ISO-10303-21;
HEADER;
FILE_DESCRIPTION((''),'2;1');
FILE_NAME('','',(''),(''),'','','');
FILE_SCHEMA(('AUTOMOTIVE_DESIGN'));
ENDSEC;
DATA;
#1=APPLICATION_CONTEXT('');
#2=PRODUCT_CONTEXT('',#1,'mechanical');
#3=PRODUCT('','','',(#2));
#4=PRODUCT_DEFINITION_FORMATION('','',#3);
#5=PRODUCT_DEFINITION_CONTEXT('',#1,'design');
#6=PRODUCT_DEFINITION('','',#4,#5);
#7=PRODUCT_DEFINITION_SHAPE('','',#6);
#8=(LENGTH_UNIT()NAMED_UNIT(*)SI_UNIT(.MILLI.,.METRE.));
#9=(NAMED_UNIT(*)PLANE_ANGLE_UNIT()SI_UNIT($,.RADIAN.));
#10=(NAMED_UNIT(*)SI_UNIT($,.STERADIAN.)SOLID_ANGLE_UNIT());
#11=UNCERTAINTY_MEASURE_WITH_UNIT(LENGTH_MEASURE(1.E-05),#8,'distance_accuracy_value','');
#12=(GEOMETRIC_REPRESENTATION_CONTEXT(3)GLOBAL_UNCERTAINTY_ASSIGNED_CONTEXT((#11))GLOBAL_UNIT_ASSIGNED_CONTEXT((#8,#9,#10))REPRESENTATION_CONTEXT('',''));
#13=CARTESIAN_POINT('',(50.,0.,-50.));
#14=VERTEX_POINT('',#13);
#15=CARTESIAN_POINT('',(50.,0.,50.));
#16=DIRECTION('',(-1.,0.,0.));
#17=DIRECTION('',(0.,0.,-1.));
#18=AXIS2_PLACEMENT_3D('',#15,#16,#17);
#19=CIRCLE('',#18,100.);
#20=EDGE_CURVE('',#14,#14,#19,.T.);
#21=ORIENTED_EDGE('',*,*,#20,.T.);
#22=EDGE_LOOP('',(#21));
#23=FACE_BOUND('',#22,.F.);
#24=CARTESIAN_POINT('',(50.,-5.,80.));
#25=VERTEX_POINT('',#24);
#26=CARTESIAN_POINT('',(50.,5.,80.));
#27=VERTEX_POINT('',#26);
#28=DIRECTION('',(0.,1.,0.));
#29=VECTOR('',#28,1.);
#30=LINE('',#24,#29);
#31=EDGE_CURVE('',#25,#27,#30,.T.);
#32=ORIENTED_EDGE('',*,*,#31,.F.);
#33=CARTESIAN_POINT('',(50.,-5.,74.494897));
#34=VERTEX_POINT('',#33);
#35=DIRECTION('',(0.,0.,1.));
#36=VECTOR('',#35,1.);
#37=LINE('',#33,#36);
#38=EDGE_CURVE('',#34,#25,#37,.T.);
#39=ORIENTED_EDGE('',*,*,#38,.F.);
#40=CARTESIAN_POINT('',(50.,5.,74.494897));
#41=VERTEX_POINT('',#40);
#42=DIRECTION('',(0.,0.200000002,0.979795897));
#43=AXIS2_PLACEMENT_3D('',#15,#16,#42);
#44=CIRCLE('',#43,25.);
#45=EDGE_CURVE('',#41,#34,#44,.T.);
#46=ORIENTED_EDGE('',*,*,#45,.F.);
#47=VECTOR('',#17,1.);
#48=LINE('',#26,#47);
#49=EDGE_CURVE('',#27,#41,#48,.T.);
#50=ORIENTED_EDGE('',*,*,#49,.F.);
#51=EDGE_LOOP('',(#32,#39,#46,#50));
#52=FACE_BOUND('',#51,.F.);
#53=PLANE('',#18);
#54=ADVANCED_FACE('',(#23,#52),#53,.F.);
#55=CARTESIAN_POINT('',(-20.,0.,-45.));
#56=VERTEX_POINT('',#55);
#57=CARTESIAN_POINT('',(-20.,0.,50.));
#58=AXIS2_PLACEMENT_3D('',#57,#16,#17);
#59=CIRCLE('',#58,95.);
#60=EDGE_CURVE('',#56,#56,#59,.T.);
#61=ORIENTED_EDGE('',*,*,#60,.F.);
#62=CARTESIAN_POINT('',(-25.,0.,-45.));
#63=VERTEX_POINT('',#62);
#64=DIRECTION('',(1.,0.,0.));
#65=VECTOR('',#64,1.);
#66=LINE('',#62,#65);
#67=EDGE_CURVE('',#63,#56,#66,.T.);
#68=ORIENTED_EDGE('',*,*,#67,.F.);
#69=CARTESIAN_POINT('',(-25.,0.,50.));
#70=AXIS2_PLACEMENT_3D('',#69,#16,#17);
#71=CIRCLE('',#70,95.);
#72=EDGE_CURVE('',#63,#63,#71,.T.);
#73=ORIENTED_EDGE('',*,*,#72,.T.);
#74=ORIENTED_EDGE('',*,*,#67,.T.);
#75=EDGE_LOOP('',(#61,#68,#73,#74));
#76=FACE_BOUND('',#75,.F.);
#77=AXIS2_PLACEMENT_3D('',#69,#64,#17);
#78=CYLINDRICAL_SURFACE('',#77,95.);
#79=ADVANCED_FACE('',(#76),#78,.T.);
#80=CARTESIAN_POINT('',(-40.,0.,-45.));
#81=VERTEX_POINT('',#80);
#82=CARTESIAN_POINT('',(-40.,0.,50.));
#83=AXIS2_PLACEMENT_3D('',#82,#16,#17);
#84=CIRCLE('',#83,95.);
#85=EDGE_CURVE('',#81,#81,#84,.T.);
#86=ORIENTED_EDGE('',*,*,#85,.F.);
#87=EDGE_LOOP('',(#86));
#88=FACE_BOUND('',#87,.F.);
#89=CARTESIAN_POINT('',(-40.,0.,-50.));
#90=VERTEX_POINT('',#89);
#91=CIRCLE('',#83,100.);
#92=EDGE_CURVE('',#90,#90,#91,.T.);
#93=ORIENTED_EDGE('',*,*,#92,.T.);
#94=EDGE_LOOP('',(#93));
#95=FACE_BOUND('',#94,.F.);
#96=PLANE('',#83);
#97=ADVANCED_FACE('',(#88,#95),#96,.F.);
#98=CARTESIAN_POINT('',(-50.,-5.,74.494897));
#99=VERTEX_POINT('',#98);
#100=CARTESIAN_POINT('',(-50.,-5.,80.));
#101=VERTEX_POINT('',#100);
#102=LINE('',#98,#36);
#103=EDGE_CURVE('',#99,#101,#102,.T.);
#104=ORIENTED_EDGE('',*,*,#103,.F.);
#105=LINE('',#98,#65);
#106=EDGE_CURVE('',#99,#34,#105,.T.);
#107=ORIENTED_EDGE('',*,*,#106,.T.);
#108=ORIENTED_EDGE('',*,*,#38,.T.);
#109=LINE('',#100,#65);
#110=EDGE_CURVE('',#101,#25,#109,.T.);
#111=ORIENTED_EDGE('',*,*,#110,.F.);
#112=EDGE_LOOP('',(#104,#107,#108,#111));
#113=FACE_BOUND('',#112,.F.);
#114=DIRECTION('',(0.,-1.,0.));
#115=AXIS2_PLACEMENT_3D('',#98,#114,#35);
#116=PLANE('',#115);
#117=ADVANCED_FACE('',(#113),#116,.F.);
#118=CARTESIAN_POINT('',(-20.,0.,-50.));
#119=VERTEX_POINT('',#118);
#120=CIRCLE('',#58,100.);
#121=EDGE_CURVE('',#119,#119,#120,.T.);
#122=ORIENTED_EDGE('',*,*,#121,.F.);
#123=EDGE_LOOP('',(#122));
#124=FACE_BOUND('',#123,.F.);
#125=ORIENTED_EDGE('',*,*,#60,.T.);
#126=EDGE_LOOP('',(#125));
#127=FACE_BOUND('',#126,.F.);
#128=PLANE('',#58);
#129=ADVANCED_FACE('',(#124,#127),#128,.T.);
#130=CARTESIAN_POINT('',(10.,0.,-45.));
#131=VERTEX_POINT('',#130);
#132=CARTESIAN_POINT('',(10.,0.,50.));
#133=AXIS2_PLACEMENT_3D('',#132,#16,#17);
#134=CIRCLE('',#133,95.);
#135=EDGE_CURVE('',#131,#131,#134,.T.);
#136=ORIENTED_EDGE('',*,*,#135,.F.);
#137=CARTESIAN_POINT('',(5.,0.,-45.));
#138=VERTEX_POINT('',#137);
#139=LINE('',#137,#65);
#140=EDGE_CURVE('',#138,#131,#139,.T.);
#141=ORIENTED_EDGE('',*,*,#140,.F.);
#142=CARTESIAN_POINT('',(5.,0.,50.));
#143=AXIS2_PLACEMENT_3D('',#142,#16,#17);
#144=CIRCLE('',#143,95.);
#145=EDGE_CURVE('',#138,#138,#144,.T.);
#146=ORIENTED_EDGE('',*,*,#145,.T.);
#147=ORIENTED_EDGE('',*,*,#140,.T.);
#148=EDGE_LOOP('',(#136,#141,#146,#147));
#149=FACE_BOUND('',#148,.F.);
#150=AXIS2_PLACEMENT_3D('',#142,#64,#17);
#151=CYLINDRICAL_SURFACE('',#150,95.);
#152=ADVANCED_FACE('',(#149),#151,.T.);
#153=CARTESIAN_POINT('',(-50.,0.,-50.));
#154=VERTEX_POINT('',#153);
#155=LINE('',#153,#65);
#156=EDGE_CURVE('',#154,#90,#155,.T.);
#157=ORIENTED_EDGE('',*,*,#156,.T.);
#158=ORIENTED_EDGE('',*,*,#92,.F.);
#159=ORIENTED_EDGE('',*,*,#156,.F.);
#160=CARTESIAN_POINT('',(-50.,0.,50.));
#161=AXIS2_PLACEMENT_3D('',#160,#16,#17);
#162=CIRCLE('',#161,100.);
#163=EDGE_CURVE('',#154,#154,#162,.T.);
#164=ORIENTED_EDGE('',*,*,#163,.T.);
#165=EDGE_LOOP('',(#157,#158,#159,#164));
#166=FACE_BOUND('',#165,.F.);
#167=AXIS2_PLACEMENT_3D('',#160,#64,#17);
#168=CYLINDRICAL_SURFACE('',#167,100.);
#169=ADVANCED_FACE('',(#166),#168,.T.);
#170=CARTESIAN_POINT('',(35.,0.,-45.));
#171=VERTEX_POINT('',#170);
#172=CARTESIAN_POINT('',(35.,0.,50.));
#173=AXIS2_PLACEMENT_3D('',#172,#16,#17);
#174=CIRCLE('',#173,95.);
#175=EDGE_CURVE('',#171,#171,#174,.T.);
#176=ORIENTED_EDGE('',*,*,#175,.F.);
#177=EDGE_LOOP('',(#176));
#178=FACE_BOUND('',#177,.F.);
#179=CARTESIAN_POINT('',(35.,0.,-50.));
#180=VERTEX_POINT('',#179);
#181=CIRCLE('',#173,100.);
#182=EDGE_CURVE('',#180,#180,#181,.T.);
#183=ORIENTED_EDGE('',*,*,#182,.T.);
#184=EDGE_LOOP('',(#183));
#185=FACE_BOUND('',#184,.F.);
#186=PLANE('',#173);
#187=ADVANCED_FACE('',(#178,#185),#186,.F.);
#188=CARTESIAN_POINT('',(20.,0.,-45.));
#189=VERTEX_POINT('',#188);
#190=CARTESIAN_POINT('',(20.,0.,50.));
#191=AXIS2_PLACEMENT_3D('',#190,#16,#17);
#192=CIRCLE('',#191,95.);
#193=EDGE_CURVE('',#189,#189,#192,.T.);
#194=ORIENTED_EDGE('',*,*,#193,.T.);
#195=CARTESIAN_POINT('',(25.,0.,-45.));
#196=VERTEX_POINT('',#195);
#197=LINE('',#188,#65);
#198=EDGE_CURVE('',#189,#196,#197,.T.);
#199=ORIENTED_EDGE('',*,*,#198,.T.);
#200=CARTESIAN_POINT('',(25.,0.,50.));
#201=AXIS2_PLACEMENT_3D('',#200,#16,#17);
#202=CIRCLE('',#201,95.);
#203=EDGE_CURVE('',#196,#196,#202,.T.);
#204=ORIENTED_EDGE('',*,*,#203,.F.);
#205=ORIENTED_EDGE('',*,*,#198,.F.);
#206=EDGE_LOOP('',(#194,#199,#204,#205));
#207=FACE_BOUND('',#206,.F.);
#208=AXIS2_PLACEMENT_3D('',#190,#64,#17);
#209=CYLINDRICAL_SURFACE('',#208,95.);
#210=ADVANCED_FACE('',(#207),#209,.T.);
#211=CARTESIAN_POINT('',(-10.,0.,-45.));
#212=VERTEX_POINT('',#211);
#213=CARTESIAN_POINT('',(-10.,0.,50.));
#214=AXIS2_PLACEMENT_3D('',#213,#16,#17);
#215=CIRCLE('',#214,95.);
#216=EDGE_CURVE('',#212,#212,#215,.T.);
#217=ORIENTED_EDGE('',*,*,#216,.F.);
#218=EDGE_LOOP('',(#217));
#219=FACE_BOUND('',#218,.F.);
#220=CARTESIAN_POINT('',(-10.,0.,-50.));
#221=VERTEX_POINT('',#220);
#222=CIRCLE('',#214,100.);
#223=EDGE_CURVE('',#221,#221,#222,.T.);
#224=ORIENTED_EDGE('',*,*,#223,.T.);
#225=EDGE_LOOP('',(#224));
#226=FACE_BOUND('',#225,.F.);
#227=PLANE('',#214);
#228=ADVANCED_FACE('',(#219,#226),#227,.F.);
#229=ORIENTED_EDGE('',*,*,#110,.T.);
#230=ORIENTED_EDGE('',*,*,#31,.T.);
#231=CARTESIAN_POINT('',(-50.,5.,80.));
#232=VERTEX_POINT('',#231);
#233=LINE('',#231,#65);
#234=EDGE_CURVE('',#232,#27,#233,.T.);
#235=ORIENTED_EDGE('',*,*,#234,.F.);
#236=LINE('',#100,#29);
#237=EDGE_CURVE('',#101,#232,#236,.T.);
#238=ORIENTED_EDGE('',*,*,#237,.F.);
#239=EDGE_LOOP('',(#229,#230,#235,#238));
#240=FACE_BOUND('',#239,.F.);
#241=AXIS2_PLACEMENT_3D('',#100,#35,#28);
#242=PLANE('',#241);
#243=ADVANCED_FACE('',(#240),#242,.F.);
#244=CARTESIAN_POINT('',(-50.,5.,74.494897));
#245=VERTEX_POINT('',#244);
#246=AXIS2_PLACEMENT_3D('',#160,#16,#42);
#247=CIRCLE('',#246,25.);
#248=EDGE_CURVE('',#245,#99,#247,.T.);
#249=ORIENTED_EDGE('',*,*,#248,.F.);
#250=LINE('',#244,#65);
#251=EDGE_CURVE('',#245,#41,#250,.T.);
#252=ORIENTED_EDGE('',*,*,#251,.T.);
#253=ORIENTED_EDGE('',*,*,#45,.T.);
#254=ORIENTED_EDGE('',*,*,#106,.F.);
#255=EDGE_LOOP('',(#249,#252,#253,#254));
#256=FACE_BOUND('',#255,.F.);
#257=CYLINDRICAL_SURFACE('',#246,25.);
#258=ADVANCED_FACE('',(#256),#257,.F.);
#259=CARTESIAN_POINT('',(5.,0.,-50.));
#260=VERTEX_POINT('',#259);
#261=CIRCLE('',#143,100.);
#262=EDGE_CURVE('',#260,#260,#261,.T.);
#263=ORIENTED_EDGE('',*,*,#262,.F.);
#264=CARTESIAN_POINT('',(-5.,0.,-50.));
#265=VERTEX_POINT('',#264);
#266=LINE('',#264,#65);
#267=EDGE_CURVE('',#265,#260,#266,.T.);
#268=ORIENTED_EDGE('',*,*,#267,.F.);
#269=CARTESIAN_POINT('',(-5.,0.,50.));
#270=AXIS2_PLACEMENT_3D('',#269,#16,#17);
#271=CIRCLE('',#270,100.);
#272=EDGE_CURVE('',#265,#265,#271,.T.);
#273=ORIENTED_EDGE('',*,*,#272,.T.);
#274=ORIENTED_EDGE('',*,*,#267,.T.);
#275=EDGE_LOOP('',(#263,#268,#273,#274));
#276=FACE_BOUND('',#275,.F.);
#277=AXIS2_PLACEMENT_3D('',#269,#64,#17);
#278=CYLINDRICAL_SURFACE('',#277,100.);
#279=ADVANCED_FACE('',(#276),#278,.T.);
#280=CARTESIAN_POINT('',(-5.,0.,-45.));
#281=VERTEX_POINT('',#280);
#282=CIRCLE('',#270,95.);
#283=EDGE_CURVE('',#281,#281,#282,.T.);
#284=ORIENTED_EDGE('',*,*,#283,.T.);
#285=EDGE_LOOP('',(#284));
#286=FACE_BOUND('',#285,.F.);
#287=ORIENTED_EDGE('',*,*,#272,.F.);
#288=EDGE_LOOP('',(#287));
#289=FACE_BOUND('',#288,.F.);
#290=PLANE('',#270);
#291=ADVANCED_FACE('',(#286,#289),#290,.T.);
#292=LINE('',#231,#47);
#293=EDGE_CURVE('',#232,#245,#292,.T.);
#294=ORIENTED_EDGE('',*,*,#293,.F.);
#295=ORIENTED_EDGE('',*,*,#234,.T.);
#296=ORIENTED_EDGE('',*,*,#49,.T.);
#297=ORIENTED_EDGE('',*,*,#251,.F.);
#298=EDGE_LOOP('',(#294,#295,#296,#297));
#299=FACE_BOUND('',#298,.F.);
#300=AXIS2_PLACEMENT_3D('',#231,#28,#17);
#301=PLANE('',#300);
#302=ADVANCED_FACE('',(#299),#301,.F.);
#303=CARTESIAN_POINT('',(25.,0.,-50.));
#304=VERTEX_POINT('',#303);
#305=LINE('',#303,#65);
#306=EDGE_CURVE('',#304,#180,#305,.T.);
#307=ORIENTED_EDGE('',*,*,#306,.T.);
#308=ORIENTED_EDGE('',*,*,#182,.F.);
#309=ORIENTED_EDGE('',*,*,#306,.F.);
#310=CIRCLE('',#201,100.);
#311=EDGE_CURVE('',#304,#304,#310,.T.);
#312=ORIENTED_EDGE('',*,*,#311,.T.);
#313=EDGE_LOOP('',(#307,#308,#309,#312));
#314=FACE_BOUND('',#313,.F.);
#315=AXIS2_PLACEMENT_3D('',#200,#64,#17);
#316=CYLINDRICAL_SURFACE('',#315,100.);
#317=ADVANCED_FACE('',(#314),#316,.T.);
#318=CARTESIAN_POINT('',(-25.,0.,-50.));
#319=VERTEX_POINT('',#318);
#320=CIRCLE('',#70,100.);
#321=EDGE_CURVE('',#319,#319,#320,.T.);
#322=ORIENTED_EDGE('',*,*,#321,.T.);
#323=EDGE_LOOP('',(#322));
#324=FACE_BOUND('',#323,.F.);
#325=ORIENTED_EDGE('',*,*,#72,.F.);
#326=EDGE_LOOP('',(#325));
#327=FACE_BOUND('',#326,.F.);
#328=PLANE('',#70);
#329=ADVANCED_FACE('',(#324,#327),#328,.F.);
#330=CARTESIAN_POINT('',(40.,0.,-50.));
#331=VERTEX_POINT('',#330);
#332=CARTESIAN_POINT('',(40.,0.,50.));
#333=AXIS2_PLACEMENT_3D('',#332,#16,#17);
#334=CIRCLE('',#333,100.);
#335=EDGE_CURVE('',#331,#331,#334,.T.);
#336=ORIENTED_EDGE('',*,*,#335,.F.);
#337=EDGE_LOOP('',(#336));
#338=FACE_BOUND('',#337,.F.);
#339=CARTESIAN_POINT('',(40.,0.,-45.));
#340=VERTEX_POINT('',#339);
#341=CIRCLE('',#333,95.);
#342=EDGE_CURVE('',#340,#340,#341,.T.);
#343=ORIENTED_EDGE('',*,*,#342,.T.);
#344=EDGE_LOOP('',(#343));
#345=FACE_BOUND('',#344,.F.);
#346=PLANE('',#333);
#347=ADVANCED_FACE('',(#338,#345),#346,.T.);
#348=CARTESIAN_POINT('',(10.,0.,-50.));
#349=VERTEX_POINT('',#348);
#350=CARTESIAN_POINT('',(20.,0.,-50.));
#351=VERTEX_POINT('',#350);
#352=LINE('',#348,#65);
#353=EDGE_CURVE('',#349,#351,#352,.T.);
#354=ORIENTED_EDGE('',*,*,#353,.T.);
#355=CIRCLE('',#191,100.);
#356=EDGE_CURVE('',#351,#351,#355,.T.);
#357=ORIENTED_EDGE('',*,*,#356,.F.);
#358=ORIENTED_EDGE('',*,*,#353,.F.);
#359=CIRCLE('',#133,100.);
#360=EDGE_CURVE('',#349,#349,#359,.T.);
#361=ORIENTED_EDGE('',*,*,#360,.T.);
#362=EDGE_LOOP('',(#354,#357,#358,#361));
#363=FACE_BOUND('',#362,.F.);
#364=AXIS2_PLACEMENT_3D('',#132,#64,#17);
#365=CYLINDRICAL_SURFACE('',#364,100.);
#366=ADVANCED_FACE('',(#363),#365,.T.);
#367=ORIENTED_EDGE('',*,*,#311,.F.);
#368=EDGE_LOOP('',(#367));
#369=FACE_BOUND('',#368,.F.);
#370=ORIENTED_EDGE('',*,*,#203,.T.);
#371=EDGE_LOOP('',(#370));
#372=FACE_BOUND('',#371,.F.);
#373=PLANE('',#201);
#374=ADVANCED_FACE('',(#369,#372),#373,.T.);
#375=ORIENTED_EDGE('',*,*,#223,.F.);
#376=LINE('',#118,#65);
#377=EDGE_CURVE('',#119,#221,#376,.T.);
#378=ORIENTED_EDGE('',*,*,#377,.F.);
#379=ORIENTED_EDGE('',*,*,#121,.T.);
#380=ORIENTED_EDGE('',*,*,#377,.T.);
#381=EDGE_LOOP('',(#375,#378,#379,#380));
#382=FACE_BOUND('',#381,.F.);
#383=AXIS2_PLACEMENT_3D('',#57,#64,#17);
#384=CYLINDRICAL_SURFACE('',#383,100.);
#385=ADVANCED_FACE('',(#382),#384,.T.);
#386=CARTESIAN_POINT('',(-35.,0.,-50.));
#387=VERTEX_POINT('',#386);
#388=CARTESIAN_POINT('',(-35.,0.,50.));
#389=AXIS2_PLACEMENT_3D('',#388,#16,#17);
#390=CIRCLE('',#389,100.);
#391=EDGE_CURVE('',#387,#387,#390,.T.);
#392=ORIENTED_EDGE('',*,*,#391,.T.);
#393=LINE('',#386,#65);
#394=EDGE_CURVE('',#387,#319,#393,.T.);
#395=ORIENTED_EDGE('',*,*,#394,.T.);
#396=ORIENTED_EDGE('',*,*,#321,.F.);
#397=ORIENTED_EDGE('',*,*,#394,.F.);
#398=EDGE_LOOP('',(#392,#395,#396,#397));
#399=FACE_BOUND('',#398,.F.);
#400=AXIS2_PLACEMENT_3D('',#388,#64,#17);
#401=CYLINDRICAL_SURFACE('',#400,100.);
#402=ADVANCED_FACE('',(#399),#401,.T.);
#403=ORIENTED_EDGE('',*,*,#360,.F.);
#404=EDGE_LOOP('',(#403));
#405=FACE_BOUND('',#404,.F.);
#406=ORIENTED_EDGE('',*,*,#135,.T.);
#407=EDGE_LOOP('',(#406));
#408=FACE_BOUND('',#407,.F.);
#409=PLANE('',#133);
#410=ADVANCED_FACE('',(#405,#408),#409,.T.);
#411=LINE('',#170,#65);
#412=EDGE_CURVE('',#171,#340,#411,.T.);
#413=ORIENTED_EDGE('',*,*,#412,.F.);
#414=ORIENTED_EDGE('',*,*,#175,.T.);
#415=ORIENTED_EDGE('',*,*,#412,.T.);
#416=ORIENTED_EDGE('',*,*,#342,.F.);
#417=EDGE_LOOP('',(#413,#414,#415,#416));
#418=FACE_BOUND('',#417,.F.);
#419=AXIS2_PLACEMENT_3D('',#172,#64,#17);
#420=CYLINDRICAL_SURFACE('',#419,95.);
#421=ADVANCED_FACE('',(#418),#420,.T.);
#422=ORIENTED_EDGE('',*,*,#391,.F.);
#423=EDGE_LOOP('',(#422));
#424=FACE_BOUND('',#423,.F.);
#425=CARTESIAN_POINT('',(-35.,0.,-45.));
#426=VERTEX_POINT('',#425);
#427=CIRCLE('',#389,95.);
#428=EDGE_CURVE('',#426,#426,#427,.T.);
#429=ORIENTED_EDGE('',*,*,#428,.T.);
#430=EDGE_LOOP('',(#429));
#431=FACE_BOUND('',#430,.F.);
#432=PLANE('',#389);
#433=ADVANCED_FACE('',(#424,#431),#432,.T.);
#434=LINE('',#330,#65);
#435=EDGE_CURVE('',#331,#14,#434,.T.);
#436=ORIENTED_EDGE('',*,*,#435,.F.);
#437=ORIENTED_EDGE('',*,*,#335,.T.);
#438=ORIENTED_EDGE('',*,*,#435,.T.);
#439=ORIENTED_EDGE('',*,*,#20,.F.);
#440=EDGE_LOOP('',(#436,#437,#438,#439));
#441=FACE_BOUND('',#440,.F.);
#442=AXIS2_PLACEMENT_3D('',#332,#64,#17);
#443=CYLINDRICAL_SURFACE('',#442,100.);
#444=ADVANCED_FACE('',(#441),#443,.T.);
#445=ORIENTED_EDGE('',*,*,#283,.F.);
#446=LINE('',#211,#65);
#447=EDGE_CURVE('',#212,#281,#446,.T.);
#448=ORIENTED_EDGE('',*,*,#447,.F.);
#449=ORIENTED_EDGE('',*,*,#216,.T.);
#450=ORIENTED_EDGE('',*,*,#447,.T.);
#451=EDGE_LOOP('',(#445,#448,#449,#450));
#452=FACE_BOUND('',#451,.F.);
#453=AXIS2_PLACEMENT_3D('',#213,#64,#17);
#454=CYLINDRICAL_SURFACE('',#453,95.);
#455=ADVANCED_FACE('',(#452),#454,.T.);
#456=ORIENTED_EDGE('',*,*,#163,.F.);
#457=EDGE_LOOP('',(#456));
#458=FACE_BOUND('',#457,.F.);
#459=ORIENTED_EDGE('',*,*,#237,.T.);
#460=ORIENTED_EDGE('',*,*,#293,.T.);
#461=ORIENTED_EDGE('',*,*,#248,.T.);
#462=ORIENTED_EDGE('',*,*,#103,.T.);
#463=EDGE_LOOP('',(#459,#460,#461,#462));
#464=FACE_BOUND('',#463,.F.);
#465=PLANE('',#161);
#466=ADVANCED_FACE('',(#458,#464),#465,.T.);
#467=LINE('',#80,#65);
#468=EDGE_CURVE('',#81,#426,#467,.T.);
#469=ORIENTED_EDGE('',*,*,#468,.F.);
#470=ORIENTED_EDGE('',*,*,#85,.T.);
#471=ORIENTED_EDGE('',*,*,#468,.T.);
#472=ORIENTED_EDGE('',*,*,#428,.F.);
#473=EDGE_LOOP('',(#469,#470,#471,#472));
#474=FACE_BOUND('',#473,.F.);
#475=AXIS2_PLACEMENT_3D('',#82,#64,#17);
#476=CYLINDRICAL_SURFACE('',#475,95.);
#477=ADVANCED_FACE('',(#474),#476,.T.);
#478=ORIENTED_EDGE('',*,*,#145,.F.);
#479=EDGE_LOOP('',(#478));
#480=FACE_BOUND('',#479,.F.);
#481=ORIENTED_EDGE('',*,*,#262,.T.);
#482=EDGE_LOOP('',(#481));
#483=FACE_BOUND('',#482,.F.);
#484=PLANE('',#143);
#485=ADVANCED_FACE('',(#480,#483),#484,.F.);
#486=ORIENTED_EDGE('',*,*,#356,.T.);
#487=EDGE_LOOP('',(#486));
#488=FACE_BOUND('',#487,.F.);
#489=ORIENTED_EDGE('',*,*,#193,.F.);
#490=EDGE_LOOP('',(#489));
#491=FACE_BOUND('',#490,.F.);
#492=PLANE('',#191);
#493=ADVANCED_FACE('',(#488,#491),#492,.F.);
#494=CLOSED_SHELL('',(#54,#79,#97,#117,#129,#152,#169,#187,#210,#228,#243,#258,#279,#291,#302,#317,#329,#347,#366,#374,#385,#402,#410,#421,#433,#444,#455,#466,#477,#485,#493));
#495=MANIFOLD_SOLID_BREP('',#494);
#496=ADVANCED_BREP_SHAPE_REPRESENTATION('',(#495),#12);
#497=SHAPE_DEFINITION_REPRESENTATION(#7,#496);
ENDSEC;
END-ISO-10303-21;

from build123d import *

# Parameters (mm, degrees)
F3_DEPTH = 100


with BuildPart() as f1:
    # F0 (on Front) → F1 (revolve)
    with BuildSketch(Plane.XZ):
        Polygon((40, -50), (50, -50), (50, 50), (-50, 50), (-50, -50), (-40, -50), (-40, -45), (-35, -45), (-35, -50), (-25, -50), (-25, -45), (-20, -45), (-20, -50), (-10, -50), (-10, -45), (-5, -45), (-5, -50), (5, -50), (5, -45), (10, -45), (10, -50), (20, -50), (20, -45), (25, -45), (25, -50), (35, -50), (35, -45), (40, -45), align=None)
    revolve(axis=Axis((0, 0, 50), (-1, 0, 0)))

    # F2 (on face) → F3 (cut)
    with BuildSketch(Plane(origin=(-50, 0, 0), x_dir=(0, -1, 0), z_dir=(-1, 0, 0))):
        with BuildLine():
            Line((-5, 80), (-5, 74.494897))
            ThreePointArc((-5, 74.494897), (0, 25), (5, 74.494897))
            Line((5, 74.494897), (5, 80))
            Line((5, 80), (0, 80))
            Line((0, 80), (-5, 80))
        make_face()
    extrude(amount=-F3_DEPTH, mode=Mode.SUBTRACT)


solid = f1.part
